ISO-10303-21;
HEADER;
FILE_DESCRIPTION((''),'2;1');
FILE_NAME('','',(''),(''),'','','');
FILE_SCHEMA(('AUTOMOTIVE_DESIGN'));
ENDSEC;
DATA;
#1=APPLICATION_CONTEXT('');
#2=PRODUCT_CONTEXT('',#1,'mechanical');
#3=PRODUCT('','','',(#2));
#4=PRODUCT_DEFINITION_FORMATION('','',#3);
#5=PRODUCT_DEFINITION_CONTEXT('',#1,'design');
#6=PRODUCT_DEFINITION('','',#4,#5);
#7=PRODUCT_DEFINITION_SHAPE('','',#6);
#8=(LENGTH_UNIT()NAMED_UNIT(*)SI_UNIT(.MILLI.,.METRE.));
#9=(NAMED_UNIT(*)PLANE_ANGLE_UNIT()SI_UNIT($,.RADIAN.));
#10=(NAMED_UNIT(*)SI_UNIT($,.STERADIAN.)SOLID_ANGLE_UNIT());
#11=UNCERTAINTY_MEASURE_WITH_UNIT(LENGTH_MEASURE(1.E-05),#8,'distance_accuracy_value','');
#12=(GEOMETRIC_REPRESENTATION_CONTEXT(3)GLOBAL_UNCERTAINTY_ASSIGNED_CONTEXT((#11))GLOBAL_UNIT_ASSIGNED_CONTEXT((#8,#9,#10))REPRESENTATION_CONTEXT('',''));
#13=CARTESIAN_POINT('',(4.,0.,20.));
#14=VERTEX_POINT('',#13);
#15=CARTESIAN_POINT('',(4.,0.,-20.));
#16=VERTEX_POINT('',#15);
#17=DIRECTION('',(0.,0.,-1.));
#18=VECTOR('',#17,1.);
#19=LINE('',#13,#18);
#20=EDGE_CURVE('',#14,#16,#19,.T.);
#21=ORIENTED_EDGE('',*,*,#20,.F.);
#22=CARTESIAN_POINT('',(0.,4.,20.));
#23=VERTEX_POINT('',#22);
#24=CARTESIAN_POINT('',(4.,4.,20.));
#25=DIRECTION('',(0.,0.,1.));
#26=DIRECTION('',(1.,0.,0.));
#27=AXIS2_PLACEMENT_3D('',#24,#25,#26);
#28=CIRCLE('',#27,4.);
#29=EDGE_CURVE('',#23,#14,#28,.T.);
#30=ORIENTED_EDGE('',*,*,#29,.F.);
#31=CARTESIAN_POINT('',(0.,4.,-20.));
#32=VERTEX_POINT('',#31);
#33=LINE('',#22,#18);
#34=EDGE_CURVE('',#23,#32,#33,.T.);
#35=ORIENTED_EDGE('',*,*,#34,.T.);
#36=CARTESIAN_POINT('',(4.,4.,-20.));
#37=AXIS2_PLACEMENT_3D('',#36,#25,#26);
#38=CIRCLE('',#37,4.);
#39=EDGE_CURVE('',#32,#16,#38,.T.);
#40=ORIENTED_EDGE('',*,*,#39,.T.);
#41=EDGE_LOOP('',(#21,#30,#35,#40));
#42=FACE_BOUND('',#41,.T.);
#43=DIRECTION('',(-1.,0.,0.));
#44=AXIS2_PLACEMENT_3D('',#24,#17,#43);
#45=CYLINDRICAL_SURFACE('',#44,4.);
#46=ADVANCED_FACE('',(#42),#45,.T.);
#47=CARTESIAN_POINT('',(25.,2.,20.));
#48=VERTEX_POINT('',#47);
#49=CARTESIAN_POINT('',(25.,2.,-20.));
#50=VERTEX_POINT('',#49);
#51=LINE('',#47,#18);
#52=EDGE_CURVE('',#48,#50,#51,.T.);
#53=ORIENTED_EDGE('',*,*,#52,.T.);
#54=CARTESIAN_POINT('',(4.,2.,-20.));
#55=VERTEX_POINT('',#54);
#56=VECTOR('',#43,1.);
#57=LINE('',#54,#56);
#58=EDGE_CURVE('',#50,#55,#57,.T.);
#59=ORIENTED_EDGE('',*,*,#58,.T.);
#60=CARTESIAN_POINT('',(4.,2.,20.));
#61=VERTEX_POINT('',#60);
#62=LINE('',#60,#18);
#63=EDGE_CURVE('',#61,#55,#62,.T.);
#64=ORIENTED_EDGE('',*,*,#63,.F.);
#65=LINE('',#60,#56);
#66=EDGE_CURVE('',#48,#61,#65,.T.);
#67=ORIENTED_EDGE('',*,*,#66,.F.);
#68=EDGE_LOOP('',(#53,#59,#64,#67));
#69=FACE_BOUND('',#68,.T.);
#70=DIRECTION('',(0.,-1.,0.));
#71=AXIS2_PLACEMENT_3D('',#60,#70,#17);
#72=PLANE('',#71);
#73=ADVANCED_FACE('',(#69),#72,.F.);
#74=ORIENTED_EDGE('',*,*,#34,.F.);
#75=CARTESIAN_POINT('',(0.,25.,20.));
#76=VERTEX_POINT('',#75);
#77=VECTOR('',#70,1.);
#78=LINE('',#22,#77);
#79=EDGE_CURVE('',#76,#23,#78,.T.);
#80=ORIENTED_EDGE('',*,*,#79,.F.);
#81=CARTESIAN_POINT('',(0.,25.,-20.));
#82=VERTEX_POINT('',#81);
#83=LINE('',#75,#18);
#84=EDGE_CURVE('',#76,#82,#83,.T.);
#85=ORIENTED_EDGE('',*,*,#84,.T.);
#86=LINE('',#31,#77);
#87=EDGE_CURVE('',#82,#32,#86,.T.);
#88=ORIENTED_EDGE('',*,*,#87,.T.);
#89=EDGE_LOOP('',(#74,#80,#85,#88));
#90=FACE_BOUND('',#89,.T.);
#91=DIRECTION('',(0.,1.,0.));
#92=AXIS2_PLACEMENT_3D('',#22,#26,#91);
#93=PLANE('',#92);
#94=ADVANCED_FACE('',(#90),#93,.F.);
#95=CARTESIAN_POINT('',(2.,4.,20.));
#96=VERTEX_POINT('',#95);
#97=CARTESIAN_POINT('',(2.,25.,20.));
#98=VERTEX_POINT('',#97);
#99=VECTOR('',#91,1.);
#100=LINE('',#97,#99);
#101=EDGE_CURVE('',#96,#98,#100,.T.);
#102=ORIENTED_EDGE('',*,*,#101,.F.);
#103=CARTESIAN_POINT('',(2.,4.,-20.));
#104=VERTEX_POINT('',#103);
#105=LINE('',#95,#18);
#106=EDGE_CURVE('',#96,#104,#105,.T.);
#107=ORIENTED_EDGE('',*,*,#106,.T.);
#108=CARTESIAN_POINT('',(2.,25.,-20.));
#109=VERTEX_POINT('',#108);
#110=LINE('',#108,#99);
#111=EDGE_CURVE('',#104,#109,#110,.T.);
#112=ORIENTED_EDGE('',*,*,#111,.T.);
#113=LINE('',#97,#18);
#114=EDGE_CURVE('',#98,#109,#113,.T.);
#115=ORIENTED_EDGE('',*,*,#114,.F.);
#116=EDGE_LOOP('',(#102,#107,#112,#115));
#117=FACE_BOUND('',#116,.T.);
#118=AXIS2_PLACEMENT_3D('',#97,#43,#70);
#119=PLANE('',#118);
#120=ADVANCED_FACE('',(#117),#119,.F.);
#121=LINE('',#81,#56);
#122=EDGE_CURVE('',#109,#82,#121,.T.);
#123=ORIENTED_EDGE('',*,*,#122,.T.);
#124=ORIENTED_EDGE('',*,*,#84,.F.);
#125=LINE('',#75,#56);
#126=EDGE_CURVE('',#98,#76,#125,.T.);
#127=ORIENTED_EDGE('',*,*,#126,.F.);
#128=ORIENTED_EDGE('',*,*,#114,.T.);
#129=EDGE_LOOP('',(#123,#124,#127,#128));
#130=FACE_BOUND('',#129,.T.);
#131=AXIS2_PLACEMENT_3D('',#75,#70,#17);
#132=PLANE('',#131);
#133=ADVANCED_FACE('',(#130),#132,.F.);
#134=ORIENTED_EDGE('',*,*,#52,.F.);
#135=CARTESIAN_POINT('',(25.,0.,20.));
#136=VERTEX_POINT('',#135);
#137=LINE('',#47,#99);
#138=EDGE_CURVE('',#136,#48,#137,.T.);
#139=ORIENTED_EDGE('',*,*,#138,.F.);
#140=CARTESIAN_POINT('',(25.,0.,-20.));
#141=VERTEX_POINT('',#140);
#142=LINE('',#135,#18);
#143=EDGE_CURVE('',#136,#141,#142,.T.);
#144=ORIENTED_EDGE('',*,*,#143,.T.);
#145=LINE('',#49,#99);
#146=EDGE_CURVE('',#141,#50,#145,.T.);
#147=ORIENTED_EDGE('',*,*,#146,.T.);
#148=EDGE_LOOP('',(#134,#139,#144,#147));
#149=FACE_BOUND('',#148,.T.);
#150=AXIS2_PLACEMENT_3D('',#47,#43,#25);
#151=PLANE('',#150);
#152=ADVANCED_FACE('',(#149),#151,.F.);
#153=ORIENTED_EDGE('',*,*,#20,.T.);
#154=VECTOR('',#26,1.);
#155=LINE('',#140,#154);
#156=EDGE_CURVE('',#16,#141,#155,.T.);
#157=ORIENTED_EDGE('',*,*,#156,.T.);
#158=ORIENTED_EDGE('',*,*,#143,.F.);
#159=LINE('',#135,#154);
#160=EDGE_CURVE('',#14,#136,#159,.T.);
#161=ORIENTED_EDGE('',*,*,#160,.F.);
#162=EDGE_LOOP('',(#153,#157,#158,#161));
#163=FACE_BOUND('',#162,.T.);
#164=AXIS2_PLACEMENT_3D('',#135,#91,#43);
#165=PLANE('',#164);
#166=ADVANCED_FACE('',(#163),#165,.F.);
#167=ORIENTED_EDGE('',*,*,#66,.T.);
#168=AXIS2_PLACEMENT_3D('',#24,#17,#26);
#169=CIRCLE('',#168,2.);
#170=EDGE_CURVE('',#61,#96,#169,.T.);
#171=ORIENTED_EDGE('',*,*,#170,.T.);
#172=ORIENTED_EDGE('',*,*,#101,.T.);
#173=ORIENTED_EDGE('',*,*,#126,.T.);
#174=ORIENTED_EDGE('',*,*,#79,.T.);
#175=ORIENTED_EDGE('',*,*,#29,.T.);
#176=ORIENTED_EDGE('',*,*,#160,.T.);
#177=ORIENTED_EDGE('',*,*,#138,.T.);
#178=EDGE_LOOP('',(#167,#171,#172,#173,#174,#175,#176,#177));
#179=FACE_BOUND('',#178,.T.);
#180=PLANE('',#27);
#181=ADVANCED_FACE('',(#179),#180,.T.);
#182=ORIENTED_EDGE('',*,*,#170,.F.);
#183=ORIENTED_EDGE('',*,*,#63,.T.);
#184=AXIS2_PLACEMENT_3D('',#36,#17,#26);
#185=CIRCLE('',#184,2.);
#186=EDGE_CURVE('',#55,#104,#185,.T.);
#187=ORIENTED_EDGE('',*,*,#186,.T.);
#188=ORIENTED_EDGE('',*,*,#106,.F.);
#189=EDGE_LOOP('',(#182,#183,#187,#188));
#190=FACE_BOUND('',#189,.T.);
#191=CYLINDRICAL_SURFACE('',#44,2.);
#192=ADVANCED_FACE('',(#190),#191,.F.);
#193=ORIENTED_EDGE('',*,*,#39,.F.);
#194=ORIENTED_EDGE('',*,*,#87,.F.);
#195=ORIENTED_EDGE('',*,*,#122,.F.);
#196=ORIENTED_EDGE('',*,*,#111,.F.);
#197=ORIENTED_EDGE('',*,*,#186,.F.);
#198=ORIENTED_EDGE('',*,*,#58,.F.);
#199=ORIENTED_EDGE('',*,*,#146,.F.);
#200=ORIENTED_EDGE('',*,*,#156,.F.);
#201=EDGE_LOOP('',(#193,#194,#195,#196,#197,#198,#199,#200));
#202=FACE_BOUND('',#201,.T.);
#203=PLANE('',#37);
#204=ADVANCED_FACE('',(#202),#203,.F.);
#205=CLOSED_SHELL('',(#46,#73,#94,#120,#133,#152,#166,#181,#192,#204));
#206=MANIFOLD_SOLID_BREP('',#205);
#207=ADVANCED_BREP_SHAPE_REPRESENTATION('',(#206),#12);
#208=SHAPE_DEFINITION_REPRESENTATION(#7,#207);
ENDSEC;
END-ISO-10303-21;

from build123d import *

# Parameters (mm, degrees)
BOSS_EXTRUDE1_DEPTH = 20


with BuildPart() as part:
    # Sketch1 → Boss-Extrude1 (new body, symmetric)
    with BuildSketch(Plane.XY):
        with BuildLine():
            Line((0, 4), (0, 25))
            Line((0, 25), (2, 25))
            Line((2, 25), (2, 4))
            ThreePointArc((2, 4), (2.585786438, 2.585786438), (4, 2))
            Line((4, 2), (25, 2))
            Line((25, 2), (25, 0))
            Line((25, 0), (4, 0))
            ThreePointArc((4, 0), (1.171572875, 1.171572875), (0, 4))
        make_face()
    extrude(amount=BOSS_EXTRUDE1_DEPTH, both=True)


solid = part.part
